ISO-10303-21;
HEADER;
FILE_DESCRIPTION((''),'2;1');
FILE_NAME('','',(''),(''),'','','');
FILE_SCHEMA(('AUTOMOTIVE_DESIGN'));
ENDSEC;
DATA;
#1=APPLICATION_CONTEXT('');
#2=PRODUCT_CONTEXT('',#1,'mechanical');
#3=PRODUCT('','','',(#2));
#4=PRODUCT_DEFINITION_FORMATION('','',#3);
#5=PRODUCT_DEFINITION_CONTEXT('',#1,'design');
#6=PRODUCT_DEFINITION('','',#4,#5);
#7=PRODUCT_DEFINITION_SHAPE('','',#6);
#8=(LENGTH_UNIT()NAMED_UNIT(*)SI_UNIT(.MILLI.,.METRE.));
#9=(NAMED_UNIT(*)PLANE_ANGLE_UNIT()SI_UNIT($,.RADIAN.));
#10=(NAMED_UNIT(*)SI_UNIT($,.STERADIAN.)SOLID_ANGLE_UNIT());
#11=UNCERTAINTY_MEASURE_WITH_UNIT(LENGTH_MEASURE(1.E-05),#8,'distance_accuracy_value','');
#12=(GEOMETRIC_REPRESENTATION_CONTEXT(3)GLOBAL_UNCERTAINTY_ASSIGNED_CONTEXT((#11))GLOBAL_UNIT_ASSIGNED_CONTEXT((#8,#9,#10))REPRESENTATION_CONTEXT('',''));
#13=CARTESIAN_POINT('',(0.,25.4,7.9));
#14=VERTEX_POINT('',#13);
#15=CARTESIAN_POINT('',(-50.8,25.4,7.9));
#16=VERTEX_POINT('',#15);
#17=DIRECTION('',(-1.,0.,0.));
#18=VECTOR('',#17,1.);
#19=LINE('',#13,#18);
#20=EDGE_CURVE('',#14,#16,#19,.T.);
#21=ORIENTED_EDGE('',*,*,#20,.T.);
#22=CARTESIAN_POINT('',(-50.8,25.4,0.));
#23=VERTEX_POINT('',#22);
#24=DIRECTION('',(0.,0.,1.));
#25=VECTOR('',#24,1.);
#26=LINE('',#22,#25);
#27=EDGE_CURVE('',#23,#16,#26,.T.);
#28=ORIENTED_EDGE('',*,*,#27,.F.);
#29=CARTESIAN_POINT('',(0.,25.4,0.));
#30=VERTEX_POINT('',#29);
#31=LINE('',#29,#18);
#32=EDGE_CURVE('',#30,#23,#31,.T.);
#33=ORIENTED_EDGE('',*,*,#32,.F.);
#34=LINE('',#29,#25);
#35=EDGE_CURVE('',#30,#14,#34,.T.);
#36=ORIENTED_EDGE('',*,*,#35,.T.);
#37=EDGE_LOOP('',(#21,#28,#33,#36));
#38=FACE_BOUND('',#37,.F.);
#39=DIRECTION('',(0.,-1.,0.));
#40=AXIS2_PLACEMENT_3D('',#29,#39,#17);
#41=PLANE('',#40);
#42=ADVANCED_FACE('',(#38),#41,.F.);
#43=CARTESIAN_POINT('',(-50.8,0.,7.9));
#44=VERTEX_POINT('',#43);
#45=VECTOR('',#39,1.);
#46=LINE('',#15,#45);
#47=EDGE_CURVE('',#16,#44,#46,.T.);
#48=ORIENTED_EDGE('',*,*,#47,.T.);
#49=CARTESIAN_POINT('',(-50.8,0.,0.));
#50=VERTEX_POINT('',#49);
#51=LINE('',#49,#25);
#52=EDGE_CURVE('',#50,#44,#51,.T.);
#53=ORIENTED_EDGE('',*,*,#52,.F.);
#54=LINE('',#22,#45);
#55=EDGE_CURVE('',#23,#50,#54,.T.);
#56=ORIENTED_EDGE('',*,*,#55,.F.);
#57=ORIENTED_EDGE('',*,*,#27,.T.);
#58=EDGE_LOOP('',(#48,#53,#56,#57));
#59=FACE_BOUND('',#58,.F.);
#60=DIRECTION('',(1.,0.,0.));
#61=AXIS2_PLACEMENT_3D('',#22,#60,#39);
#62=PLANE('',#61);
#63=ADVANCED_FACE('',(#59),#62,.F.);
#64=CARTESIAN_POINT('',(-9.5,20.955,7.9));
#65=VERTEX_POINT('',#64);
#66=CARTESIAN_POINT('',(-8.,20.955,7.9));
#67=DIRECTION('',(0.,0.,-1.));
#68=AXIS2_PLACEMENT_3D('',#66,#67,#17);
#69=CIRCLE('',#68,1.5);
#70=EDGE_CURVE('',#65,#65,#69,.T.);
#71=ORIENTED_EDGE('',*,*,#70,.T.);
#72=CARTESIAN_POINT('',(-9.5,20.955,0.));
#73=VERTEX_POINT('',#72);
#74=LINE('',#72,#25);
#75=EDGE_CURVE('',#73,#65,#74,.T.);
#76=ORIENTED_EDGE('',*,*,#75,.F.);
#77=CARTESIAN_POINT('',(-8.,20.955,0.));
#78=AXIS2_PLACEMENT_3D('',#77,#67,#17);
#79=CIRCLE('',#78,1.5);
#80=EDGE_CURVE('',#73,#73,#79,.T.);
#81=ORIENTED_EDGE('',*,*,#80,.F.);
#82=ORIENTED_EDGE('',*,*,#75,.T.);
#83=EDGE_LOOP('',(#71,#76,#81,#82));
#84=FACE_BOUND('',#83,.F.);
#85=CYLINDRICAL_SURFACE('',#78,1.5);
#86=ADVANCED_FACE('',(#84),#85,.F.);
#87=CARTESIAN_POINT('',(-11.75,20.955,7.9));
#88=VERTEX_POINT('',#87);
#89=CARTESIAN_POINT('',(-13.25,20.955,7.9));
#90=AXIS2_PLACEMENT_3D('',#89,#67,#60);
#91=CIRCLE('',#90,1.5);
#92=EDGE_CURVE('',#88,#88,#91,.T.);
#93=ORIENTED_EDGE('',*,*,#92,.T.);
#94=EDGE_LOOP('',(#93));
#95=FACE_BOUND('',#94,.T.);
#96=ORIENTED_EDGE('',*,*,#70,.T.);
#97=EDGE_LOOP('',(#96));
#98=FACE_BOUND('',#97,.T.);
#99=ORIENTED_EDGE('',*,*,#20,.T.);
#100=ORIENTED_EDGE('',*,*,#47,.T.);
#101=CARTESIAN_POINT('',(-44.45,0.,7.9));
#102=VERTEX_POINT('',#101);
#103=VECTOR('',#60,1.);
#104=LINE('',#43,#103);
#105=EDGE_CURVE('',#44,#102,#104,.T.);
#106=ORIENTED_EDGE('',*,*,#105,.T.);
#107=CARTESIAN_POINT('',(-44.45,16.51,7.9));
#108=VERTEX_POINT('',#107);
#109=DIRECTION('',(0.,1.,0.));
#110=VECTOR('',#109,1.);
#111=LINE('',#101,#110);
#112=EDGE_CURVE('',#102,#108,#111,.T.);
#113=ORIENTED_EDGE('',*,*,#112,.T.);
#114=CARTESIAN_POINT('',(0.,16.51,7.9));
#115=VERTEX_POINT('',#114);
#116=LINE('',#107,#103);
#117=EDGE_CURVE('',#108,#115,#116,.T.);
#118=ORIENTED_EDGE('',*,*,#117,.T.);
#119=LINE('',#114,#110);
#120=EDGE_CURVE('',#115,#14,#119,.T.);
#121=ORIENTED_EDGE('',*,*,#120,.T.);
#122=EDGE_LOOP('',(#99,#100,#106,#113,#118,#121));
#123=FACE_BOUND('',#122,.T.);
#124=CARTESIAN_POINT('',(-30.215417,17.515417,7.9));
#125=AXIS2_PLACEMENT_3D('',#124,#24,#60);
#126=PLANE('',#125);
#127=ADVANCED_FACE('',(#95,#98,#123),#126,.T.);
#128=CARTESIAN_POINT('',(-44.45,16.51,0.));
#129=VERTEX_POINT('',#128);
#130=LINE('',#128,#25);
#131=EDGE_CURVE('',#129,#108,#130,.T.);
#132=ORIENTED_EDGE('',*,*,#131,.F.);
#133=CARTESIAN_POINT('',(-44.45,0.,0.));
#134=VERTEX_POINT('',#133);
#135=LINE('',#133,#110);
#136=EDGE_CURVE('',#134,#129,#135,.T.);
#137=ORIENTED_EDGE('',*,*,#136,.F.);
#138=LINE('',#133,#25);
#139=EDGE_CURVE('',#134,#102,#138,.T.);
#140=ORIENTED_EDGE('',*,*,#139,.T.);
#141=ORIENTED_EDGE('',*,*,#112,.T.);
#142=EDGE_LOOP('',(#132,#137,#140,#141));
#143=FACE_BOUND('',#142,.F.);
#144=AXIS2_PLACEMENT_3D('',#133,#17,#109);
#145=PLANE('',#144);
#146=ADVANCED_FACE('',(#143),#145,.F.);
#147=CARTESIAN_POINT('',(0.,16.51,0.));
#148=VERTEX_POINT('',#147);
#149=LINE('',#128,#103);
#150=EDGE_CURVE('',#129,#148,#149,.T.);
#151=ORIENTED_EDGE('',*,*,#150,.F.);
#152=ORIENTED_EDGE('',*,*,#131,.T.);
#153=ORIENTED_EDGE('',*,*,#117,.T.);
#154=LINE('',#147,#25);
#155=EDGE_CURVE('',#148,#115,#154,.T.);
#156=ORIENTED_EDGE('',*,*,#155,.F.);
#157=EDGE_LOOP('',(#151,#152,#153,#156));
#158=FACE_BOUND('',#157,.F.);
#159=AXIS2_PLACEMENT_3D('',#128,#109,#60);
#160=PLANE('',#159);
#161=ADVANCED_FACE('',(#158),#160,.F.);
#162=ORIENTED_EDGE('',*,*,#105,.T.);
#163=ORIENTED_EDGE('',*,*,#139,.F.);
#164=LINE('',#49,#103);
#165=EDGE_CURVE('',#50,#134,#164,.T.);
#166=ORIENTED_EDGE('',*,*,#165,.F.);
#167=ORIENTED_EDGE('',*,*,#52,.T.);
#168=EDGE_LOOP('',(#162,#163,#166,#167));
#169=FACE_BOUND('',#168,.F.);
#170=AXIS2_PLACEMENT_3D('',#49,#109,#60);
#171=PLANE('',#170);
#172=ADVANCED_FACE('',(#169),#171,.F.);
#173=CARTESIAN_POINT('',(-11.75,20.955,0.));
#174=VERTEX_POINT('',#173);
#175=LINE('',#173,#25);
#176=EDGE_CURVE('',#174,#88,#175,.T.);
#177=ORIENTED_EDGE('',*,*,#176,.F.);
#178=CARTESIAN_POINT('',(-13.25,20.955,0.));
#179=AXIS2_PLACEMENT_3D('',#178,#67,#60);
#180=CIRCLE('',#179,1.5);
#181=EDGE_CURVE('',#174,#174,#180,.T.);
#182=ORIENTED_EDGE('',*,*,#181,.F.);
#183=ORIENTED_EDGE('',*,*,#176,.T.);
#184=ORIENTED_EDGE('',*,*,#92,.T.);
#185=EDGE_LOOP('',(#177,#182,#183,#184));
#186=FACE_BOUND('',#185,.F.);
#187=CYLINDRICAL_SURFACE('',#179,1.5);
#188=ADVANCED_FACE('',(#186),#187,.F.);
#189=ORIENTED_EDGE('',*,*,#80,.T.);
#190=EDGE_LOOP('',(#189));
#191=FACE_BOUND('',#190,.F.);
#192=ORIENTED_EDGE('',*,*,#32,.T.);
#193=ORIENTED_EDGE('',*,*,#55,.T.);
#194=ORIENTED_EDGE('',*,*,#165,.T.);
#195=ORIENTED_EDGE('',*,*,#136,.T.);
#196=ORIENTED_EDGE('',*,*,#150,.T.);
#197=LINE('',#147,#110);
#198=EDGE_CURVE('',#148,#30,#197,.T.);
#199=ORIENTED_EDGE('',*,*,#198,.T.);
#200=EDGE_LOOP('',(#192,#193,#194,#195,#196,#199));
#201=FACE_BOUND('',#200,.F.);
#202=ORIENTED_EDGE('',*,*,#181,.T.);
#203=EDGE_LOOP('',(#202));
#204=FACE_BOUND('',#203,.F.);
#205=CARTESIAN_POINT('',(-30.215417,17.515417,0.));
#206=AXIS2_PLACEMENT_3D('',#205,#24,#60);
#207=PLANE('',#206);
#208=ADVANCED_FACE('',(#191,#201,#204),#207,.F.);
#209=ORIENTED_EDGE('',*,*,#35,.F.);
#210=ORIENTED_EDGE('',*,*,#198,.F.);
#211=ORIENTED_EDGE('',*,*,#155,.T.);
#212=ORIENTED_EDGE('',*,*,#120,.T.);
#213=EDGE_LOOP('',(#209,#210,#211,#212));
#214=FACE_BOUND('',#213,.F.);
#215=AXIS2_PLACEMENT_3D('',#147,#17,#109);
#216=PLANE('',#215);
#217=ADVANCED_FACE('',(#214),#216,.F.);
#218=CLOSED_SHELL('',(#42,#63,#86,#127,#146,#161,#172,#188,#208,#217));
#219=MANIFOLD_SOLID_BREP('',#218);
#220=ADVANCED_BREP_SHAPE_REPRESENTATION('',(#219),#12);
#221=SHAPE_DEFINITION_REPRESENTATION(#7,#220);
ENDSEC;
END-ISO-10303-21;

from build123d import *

# Parameters (mm, degrees)
F1_DEPTH = 7.9
F3_DEPTH = 25.4


with BuildPart() as f1:
    # F0 (on Top) → F1 (new body)
    with BuildSketch(Plane.XY):
        Polygon((-50.8, 0), (-44.45, 0), (-44.45, 16.51), (0, 16.51), (0, 25.4), (-50.8, 25.4), align=None)
    extrude(amount=F1_DEPTH)

    # F2 (on face) → F3 (cut)
    with BuildSketch(Plane(origin=(0, 0, 0), x_dir=(1, 0, 0), z_dir=(0, 0, -1))):
        with BuildLine():
            Line((-9.5, -20.955), (-6.5, -20.955))
            ThreePointArc((-6.5, -20.955), (-8, -19.455), (-9.5, -20.955))
        make_face()
        with BuildLine():
            ThreePointArc((-14.75, -20.955), (-13.25, -22.455), (-11.75, -20.955))
            Line((-11.75, -20.955), (-14.75, -20.955))
        make_face()
        with BuildLine():
            Line((-14.75, -20.955), (-11.75, -20.955))
            ThreePointArc((-11.75, -20.955), (-13.25, -19.455), (-14.75, -20.955))
        make_face()
        with BuildLine():
            ThreePointArc((-9.5, -20.955), (-8, -22.455), (-6.5, -20.955))
            Line((-6.5, -20.955), (-9.5, -20.955))
        make_face()
    extrude(amount=-F3_DEPTH, mode=Mode.SUBTRACT)


solid = f1.part
